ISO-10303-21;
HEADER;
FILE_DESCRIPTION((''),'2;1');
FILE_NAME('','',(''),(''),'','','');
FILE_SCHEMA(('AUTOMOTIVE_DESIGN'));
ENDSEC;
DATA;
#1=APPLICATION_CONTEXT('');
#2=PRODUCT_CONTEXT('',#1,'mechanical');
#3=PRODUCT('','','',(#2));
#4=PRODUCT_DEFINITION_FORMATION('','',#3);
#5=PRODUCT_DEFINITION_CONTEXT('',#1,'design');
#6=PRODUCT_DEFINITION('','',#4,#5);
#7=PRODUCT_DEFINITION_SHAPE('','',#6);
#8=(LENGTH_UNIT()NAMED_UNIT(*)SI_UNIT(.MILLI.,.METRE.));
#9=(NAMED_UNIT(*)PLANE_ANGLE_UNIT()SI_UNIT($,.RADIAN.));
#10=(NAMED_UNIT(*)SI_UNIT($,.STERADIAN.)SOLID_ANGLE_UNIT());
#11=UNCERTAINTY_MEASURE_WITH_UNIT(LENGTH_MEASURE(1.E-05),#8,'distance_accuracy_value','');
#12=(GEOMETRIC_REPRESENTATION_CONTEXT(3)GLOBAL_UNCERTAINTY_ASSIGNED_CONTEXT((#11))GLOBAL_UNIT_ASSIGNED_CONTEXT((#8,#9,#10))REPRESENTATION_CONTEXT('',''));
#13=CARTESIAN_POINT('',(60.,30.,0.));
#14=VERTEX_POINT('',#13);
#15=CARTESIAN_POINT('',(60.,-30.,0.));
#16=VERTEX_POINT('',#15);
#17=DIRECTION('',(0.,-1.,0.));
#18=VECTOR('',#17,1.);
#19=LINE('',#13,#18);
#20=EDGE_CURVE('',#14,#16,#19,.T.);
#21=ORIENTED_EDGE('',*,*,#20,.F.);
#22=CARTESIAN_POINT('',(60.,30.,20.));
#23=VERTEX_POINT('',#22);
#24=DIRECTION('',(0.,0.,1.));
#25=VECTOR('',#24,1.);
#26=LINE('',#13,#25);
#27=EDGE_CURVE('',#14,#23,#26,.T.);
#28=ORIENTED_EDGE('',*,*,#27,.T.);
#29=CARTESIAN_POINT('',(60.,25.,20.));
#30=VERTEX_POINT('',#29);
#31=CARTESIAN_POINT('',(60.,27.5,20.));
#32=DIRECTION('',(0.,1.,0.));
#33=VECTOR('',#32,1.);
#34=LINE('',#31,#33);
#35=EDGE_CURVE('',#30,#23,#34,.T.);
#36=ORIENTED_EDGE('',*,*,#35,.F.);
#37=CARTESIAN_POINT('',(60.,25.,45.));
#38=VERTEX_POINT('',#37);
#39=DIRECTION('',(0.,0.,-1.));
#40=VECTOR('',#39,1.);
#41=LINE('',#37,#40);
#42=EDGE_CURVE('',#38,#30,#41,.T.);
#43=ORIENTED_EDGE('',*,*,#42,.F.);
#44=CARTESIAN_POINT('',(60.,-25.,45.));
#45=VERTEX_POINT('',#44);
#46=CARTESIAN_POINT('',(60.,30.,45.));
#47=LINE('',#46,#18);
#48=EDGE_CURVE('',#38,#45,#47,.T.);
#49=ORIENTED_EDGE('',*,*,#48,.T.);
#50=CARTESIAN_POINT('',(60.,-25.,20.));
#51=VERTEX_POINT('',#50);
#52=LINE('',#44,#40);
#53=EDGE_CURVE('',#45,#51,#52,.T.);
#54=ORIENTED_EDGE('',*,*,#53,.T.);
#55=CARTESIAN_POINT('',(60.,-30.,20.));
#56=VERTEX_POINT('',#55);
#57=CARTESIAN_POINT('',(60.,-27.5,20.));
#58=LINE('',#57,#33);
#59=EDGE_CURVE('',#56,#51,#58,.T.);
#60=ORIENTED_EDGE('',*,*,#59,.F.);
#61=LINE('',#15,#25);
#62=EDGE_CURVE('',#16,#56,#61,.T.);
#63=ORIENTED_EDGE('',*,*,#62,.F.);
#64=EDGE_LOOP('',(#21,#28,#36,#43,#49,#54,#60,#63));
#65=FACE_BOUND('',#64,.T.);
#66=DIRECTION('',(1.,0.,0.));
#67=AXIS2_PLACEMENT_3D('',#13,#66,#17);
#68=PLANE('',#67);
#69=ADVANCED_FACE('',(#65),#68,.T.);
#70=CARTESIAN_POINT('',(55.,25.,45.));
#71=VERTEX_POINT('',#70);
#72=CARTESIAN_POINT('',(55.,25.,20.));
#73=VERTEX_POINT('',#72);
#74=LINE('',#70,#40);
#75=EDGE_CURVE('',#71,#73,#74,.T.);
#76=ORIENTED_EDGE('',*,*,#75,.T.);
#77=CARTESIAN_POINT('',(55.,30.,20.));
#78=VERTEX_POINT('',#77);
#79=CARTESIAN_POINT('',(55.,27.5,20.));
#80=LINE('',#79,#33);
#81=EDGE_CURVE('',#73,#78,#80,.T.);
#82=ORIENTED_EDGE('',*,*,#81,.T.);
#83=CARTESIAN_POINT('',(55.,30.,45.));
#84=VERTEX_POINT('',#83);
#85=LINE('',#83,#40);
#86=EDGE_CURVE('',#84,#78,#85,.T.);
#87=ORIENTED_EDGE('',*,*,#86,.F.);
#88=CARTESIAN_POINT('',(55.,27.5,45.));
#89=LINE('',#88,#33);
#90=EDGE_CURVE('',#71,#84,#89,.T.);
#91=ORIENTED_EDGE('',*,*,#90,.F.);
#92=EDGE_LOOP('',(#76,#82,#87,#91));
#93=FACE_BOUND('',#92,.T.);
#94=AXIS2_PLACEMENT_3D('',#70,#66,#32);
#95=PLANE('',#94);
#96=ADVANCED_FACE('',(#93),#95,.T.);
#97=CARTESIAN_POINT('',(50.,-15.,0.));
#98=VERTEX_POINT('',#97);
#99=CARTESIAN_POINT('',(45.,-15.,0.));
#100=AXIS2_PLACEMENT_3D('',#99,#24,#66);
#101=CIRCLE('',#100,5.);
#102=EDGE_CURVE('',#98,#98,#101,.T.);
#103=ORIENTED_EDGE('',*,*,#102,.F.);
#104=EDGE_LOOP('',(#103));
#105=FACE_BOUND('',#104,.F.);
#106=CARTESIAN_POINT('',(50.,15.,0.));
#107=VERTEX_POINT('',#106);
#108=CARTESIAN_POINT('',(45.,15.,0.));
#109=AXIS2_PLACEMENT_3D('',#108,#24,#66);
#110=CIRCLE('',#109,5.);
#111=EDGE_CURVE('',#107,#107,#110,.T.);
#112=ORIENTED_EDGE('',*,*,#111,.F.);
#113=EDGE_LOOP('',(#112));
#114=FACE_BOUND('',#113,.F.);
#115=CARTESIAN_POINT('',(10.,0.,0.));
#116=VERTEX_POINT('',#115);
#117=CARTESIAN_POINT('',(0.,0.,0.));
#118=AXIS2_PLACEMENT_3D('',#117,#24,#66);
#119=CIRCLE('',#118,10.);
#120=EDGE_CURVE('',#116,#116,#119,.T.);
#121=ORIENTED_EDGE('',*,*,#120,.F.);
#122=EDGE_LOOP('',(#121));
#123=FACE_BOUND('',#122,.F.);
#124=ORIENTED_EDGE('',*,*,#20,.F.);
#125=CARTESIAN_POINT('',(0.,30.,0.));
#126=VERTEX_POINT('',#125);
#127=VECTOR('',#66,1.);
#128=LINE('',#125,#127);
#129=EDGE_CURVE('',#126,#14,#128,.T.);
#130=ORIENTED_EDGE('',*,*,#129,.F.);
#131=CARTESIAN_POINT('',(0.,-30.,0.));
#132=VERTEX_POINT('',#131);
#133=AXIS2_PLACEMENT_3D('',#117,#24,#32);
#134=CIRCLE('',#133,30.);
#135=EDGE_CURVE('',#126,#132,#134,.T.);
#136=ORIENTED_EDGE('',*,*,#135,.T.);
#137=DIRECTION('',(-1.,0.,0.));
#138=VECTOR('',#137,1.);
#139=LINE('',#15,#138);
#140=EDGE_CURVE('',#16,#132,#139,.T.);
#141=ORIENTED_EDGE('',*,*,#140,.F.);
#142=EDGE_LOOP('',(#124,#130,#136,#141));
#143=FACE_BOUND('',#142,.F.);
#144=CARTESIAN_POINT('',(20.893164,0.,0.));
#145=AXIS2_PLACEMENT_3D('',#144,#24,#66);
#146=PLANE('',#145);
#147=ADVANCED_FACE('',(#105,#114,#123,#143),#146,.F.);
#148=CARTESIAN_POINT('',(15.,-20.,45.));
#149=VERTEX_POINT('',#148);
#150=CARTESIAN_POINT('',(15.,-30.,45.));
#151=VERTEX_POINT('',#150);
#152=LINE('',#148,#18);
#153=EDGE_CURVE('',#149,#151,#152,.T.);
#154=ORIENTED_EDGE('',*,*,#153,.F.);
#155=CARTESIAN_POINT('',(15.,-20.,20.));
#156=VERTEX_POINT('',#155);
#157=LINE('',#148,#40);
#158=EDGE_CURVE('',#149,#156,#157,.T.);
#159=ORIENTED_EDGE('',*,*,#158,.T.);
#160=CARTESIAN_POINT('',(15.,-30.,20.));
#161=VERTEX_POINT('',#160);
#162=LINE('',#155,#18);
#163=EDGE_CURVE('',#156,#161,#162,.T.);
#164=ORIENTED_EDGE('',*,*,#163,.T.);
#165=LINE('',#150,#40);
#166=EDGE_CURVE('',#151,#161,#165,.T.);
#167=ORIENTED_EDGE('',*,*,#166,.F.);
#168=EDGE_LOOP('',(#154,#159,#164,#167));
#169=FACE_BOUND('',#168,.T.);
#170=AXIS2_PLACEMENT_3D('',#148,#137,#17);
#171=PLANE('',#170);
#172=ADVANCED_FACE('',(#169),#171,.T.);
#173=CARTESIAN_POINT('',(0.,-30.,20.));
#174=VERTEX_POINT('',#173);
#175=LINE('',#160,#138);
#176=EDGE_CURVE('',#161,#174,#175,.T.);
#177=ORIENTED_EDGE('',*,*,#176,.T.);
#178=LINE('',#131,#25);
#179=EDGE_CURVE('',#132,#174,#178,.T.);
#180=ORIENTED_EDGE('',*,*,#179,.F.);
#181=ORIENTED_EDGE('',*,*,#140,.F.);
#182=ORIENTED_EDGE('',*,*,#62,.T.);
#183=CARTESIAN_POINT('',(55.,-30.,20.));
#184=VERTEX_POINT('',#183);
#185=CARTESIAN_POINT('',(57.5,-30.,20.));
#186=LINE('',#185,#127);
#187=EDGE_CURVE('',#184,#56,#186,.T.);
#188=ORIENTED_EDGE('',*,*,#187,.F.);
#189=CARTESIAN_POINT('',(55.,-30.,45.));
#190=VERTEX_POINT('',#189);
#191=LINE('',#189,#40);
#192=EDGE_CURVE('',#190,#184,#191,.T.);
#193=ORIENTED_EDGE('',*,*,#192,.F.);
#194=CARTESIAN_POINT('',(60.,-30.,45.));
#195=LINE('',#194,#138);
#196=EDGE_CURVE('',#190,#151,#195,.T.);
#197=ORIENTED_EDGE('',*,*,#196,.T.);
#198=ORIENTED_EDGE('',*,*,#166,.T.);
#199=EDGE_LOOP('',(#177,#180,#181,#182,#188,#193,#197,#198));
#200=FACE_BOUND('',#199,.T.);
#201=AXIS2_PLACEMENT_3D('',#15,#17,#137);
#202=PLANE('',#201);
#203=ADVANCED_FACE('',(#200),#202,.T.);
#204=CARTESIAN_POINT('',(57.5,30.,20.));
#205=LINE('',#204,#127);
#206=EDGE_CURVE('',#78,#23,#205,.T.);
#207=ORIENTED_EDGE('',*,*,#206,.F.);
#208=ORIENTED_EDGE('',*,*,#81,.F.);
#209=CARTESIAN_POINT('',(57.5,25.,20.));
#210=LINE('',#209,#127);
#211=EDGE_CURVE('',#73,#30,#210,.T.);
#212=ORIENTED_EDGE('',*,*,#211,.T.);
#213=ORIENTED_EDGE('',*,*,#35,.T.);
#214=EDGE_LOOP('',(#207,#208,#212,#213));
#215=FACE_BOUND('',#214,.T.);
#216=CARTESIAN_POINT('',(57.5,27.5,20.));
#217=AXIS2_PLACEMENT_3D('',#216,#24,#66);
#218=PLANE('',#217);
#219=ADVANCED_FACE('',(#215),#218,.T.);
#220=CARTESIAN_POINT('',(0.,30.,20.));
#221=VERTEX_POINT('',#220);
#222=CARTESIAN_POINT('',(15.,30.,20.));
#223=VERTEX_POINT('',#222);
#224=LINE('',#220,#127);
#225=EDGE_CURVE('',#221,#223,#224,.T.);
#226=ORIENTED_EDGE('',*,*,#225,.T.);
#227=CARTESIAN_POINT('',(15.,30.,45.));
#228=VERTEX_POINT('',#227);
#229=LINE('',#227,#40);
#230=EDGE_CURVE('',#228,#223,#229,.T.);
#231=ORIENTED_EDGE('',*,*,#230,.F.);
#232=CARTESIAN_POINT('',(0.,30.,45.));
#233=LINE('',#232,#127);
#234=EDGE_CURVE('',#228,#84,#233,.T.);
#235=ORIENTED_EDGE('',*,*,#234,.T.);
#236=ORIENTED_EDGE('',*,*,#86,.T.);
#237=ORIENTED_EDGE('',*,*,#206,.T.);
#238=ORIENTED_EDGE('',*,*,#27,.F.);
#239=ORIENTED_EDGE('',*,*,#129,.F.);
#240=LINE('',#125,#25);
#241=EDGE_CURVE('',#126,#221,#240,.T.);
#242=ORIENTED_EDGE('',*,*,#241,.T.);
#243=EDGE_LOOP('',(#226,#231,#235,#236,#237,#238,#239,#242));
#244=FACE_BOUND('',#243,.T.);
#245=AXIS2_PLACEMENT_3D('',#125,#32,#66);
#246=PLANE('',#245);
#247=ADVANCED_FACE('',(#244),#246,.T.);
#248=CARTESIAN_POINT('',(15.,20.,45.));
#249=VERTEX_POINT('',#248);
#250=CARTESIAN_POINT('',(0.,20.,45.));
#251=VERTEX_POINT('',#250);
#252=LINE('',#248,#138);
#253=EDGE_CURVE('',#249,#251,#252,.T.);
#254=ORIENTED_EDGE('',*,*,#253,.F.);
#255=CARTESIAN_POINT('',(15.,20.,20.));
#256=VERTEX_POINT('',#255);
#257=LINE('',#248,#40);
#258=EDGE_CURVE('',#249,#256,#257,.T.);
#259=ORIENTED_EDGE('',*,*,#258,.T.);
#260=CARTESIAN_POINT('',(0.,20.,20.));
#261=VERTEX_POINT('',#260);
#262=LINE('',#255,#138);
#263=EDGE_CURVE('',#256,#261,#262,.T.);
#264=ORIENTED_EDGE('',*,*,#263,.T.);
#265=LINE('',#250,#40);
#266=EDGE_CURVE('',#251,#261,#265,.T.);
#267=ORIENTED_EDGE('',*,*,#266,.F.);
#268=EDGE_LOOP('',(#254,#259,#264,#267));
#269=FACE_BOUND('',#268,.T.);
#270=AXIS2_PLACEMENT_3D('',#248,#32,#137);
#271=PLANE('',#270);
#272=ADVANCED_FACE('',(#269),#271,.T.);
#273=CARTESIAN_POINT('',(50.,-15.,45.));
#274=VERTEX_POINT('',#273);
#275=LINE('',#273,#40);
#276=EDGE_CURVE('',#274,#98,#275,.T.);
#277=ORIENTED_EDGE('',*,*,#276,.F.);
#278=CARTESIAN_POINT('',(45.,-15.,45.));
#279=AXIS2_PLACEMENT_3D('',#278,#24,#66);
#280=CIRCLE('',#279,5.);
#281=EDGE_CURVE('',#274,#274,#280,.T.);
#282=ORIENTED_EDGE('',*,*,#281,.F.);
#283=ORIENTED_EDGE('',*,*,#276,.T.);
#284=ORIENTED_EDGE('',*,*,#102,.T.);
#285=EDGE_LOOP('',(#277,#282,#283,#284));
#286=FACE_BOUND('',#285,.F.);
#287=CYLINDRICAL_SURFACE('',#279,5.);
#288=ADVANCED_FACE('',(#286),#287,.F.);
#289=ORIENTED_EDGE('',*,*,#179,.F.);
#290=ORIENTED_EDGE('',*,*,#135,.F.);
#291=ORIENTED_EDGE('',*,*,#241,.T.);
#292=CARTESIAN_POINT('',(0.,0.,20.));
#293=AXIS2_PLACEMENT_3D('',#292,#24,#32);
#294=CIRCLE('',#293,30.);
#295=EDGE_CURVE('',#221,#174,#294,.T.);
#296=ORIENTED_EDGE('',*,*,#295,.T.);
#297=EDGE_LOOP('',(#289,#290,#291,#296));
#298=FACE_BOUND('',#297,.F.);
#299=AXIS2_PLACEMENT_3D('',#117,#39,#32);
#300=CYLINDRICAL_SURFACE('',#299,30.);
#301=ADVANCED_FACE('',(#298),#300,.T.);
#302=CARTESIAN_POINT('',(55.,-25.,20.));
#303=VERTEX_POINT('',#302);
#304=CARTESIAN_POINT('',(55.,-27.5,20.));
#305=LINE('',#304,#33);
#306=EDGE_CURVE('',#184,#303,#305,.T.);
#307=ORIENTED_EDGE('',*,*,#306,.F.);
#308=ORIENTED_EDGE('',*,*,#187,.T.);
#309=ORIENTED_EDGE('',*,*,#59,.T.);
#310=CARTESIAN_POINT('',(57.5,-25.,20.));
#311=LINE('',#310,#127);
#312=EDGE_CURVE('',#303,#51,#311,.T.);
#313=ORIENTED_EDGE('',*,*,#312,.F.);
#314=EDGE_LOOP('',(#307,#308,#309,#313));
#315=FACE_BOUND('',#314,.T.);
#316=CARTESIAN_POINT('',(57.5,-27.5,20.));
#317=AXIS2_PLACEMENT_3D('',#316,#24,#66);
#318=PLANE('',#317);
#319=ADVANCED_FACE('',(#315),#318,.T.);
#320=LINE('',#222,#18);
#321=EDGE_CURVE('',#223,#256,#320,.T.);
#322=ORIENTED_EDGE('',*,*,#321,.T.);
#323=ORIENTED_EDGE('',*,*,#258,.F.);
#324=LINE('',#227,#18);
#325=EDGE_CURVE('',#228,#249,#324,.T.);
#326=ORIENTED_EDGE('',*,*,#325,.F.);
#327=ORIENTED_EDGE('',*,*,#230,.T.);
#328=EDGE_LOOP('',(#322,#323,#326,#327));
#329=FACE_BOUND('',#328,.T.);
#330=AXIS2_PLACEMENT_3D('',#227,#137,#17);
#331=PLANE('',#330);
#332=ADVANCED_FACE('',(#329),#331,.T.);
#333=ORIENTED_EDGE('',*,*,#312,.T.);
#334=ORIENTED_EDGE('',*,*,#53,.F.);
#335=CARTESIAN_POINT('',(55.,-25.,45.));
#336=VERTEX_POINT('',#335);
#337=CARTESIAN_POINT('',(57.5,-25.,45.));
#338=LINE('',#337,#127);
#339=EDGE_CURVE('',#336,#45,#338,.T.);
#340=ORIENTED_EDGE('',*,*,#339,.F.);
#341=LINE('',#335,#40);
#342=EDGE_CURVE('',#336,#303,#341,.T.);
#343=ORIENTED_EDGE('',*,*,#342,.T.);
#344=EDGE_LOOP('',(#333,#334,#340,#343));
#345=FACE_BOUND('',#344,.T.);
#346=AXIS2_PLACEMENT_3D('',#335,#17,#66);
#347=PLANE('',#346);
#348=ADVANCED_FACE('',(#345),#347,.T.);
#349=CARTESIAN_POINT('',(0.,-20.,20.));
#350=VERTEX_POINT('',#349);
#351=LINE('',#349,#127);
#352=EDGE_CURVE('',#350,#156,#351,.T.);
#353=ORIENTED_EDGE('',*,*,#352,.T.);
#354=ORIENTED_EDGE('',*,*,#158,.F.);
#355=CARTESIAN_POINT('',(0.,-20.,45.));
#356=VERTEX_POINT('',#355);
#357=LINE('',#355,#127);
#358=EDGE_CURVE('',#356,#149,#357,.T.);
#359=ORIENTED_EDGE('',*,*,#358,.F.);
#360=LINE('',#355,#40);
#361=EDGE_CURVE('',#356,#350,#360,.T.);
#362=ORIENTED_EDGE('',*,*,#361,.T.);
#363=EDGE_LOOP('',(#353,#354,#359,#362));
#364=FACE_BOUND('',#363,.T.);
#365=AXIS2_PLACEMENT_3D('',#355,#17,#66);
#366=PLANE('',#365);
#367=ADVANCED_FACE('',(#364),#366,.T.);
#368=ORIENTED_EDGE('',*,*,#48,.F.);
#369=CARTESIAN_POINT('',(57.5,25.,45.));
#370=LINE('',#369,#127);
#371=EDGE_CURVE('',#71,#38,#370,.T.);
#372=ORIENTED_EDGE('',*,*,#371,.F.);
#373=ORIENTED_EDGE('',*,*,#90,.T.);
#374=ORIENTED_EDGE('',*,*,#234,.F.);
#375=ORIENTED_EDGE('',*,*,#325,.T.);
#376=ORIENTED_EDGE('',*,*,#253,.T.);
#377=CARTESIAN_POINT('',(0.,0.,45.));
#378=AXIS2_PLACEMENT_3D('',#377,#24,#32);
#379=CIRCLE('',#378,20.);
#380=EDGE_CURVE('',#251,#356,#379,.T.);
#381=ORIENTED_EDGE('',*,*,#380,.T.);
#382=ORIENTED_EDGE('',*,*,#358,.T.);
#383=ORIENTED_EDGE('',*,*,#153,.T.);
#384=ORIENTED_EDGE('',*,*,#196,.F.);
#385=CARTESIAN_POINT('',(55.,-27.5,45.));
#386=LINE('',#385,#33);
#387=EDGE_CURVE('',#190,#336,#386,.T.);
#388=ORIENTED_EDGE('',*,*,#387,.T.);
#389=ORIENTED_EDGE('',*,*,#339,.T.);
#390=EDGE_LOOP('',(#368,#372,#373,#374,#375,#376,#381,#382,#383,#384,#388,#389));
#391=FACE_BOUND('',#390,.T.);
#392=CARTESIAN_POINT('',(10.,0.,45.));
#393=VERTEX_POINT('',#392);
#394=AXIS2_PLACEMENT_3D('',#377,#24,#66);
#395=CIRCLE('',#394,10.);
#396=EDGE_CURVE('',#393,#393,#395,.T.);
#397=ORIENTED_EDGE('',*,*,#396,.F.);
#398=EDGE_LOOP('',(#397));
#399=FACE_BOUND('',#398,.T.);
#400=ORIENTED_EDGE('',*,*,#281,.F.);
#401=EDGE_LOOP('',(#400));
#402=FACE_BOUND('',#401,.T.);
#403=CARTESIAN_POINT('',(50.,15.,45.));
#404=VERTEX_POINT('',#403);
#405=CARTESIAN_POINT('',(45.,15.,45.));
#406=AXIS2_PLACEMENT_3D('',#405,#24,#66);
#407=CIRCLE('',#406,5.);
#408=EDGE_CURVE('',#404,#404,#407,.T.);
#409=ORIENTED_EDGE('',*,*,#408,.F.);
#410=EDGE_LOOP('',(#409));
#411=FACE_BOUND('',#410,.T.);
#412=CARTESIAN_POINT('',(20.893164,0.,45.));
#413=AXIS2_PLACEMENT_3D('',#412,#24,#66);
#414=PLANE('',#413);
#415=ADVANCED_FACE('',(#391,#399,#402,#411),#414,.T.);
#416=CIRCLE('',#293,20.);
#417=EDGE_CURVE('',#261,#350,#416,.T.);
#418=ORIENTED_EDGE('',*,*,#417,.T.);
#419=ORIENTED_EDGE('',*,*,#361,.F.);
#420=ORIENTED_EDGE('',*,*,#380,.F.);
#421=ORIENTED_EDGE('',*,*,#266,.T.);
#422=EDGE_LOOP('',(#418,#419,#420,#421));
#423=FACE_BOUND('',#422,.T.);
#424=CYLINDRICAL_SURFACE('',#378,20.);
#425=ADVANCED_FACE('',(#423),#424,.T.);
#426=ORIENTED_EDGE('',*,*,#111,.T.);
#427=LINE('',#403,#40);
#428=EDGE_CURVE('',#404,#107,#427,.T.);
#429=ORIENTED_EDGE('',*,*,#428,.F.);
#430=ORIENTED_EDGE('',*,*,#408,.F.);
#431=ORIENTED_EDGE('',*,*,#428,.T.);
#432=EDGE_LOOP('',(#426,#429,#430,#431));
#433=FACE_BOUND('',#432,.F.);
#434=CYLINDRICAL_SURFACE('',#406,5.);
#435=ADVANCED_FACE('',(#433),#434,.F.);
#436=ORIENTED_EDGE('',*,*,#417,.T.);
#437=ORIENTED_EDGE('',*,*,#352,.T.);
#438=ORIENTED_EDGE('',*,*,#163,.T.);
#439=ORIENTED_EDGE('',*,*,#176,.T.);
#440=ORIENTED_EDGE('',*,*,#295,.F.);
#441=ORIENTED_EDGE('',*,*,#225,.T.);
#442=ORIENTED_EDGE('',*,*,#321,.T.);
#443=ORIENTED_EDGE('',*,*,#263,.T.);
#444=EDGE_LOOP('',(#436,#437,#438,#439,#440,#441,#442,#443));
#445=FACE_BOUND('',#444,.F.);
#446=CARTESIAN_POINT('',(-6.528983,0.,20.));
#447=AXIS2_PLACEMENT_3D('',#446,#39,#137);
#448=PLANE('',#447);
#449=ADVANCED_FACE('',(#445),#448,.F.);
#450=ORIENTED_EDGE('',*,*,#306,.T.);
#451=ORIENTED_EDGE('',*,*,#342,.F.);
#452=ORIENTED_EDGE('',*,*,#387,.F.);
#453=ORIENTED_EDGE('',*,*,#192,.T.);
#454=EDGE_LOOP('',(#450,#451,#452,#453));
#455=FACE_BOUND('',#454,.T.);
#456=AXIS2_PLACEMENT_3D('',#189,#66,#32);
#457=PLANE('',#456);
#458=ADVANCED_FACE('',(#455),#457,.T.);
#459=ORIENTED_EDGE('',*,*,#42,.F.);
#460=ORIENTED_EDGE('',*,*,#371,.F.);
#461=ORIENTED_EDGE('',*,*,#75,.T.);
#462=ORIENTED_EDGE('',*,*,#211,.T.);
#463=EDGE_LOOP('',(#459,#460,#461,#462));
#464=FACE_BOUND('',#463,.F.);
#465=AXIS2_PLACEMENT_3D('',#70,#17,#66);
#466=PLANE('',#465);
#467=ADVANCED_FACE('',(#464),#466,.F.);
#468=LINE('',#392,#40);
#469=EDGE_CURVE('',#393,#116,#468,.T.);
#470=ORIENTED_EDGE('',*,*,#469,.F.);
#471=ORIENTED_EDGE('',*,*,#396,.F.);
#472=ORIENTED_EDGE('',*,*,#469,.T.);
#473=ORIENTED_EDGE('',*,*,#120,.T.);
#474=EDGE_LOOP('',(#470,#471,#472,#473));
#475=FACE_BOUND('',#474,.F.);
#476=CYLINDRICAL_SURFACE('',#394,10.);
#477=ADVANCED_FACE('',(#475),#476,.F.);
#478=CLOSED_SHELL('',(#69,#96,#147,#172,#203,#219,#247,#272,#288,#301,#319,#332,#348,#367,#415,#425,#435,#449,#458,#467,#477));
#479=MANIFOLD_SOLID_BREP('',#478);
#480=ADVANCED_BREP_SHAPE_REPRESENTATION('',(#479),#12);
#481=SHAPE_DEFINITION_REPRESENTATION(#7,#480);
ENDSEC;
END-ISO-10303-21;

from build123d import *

# Parameters (mm, degrees)
PAD_DEPTH       = 45
SKETCH001_W     = 5
SKETCH001_H     = 5
POCKET_DEPTH    = 25
SKETCH002_R     = 10
SKETCH002_R_2   = 5
POCKET001_DEPTH = 45.001


with BuildPart() as part:
    # Sketch → Pad (new body)
    with BuildSketch(Plane.XY):
        with BuildLine():
            ThreePointArc((0, 30), (-30, 0), (0, -30))
            Line((60, -30), (0, -30))
            Line((60, 30), (60, -30))
            Line((0, 30), (60, 30))
        make_face()
    extrude(amount=PAD_DEPTH)

    # Sketch001 (on Face6 of Pad) → Pocket (cut)
    with BuildSketch(Plane.XY.offset(45)):
        with BuildLine():
            ThreePointArc((0, 20), (-20, 0), (0, -20))
            Line((0, -20), (15, -20))
            Line((15, -20), (15, -30))
            Line((15, -30), (0, -30))
            ThreePointArc((0, 30), (-30, 0), (0, -30))
            Line((0, 30), (15, 30))
            Line((15, 30), (15, 20))
            Line((15, 20), (0, 20))
        make_face()
        with Locations((57.5, 27.5)):
            Rectangle(SKETCH001_W, SKETCH001_H)
        with Locations((57.5, -27.5)):
            Rectangle(SKETCH001_W, SKETCH001_H)
    extrude(amount=-POCKET_DEPTH, mode=Mode.SUBTRACT)

    # Sketch002 (on Face8 of Pocket) → Pocket001 (cut, through all)
    with BuildSketch(Plane.XY.offset(45)):
        Circle(SKETCH002_R)
        with Locations((45, 15)):
            Circle(SKETCH002_R_2)
        with Locations((45, -15)):
            Circle(SKETCH002_R_2)
    extrude(amount=-POCKET001_DEPTH, mode=Mode.SUBTRACT)


solid = part.part
